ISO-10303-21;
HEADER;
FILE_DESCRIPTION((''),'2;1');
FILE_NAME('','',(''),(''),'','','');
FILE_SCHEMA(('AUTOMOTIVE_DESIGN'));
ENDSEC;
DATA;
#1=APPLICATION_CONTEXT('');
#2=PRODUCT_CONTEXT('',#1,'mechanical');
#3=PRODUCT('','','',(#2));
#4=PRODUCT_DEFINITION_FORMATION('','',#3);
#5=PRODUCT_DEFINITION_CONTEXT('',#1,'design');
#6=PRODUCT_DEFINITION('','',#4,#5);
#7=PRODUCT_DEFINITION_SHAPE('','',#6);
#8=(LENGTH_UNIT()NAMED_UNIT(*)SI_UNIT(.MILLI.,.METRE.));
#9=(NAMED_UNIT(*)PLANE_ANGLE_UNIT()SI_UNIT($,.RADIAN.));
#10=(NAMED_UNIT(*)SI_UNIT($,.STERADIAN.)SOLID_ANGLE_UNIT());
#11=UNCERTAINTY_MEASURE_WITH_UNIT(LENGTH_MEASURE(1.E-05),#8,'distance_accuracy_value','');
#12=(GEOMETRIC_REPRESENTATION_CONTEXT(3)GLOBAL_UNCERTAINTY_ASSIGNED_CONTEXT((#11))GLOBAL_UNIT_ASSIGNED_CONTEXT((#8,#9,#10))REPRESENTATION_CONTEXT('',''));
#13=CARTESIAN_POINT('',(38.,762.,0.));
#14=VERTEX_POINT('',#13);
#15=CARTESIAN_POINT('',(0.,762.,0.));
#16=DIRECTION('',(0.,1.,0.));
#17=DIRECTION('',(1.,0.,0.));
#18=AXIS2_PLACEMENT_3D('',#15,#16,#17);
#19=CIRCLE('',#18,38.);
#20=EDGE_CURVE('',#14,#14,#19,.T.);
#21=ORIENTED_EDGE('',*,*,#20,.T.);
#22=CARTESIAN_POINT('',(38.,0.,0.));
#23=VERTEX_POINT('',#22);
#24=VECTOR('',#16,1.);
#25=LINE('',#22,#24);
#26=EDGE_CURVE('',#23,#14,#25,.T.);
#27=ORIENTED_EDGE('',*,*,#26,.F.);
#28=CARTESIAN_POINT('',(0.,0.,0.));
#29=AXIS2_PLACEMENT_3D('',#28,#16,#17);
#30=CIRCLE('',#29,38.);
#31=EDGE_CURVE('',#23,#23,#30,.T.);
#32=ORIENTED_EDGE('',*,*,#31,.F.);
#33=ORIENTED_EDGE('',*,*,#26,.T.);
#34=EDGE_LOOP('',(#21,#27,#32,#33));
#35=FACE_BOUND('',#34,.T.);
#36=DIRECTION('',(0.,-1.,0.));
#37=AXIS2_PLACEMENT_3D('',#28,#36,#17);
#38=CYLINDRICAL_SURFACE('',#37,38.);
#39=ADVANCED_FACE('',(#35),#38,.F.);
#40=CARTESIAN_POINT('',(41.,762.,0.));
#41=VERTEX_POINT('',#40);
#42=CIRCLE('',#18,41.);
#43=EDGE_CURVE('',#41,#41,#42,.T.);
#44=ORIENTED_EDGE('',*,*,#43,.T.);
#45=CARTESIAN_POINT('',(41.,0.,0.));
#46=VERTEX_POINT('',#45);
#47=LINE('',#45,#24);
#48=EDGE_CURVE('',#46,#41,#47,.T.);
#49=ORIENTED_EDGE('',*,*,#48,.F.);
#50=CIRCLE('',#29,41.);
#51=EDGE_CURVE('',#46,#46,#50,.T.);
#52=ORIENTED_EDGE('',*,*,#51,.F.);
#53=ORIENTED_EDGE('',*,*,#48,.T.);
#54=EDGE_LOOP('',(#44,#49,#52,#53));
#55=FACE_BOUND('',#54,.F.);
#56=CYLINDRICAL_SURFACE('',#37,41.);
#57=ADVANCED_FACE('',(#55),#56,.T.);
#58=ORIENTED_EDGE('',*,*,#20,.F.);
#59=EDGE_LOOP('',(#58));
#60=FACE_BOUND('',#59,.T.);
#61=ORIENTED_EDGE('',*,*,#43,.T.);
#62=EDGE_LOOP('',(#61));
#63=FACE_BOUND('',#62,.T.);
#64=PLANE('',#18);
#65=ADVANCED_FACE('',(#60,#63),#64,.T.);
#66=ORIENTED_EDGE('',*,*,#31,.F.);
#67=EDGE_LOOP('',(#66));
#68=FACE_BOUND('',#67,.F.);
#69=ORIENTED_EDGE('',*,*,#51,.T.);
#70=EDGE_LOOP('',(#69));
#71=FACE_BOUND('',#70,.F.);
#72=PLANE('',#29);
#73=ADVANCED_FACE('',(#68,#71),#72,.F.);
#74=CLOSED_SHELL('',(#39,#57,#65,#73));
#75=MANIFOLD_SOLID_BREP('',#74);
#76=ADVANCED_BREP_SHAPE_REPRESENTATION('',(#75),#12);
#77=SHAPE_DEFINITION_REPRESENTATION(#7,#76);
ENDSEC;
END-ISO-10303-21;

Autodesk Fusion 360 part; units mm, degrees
sketch "Sketch1" plane through (0, 0, 0) normal (0, 1, 0) x (1, 0, 0)
  circle A0 centre (0, 0) radius 41
  circle A1 centre (0, 0) radius 38
  dimension "d1" = 82
  dimension "d2" = 76
extrude "Extrude1" add sketch "Sketch1" along normal blind 762
